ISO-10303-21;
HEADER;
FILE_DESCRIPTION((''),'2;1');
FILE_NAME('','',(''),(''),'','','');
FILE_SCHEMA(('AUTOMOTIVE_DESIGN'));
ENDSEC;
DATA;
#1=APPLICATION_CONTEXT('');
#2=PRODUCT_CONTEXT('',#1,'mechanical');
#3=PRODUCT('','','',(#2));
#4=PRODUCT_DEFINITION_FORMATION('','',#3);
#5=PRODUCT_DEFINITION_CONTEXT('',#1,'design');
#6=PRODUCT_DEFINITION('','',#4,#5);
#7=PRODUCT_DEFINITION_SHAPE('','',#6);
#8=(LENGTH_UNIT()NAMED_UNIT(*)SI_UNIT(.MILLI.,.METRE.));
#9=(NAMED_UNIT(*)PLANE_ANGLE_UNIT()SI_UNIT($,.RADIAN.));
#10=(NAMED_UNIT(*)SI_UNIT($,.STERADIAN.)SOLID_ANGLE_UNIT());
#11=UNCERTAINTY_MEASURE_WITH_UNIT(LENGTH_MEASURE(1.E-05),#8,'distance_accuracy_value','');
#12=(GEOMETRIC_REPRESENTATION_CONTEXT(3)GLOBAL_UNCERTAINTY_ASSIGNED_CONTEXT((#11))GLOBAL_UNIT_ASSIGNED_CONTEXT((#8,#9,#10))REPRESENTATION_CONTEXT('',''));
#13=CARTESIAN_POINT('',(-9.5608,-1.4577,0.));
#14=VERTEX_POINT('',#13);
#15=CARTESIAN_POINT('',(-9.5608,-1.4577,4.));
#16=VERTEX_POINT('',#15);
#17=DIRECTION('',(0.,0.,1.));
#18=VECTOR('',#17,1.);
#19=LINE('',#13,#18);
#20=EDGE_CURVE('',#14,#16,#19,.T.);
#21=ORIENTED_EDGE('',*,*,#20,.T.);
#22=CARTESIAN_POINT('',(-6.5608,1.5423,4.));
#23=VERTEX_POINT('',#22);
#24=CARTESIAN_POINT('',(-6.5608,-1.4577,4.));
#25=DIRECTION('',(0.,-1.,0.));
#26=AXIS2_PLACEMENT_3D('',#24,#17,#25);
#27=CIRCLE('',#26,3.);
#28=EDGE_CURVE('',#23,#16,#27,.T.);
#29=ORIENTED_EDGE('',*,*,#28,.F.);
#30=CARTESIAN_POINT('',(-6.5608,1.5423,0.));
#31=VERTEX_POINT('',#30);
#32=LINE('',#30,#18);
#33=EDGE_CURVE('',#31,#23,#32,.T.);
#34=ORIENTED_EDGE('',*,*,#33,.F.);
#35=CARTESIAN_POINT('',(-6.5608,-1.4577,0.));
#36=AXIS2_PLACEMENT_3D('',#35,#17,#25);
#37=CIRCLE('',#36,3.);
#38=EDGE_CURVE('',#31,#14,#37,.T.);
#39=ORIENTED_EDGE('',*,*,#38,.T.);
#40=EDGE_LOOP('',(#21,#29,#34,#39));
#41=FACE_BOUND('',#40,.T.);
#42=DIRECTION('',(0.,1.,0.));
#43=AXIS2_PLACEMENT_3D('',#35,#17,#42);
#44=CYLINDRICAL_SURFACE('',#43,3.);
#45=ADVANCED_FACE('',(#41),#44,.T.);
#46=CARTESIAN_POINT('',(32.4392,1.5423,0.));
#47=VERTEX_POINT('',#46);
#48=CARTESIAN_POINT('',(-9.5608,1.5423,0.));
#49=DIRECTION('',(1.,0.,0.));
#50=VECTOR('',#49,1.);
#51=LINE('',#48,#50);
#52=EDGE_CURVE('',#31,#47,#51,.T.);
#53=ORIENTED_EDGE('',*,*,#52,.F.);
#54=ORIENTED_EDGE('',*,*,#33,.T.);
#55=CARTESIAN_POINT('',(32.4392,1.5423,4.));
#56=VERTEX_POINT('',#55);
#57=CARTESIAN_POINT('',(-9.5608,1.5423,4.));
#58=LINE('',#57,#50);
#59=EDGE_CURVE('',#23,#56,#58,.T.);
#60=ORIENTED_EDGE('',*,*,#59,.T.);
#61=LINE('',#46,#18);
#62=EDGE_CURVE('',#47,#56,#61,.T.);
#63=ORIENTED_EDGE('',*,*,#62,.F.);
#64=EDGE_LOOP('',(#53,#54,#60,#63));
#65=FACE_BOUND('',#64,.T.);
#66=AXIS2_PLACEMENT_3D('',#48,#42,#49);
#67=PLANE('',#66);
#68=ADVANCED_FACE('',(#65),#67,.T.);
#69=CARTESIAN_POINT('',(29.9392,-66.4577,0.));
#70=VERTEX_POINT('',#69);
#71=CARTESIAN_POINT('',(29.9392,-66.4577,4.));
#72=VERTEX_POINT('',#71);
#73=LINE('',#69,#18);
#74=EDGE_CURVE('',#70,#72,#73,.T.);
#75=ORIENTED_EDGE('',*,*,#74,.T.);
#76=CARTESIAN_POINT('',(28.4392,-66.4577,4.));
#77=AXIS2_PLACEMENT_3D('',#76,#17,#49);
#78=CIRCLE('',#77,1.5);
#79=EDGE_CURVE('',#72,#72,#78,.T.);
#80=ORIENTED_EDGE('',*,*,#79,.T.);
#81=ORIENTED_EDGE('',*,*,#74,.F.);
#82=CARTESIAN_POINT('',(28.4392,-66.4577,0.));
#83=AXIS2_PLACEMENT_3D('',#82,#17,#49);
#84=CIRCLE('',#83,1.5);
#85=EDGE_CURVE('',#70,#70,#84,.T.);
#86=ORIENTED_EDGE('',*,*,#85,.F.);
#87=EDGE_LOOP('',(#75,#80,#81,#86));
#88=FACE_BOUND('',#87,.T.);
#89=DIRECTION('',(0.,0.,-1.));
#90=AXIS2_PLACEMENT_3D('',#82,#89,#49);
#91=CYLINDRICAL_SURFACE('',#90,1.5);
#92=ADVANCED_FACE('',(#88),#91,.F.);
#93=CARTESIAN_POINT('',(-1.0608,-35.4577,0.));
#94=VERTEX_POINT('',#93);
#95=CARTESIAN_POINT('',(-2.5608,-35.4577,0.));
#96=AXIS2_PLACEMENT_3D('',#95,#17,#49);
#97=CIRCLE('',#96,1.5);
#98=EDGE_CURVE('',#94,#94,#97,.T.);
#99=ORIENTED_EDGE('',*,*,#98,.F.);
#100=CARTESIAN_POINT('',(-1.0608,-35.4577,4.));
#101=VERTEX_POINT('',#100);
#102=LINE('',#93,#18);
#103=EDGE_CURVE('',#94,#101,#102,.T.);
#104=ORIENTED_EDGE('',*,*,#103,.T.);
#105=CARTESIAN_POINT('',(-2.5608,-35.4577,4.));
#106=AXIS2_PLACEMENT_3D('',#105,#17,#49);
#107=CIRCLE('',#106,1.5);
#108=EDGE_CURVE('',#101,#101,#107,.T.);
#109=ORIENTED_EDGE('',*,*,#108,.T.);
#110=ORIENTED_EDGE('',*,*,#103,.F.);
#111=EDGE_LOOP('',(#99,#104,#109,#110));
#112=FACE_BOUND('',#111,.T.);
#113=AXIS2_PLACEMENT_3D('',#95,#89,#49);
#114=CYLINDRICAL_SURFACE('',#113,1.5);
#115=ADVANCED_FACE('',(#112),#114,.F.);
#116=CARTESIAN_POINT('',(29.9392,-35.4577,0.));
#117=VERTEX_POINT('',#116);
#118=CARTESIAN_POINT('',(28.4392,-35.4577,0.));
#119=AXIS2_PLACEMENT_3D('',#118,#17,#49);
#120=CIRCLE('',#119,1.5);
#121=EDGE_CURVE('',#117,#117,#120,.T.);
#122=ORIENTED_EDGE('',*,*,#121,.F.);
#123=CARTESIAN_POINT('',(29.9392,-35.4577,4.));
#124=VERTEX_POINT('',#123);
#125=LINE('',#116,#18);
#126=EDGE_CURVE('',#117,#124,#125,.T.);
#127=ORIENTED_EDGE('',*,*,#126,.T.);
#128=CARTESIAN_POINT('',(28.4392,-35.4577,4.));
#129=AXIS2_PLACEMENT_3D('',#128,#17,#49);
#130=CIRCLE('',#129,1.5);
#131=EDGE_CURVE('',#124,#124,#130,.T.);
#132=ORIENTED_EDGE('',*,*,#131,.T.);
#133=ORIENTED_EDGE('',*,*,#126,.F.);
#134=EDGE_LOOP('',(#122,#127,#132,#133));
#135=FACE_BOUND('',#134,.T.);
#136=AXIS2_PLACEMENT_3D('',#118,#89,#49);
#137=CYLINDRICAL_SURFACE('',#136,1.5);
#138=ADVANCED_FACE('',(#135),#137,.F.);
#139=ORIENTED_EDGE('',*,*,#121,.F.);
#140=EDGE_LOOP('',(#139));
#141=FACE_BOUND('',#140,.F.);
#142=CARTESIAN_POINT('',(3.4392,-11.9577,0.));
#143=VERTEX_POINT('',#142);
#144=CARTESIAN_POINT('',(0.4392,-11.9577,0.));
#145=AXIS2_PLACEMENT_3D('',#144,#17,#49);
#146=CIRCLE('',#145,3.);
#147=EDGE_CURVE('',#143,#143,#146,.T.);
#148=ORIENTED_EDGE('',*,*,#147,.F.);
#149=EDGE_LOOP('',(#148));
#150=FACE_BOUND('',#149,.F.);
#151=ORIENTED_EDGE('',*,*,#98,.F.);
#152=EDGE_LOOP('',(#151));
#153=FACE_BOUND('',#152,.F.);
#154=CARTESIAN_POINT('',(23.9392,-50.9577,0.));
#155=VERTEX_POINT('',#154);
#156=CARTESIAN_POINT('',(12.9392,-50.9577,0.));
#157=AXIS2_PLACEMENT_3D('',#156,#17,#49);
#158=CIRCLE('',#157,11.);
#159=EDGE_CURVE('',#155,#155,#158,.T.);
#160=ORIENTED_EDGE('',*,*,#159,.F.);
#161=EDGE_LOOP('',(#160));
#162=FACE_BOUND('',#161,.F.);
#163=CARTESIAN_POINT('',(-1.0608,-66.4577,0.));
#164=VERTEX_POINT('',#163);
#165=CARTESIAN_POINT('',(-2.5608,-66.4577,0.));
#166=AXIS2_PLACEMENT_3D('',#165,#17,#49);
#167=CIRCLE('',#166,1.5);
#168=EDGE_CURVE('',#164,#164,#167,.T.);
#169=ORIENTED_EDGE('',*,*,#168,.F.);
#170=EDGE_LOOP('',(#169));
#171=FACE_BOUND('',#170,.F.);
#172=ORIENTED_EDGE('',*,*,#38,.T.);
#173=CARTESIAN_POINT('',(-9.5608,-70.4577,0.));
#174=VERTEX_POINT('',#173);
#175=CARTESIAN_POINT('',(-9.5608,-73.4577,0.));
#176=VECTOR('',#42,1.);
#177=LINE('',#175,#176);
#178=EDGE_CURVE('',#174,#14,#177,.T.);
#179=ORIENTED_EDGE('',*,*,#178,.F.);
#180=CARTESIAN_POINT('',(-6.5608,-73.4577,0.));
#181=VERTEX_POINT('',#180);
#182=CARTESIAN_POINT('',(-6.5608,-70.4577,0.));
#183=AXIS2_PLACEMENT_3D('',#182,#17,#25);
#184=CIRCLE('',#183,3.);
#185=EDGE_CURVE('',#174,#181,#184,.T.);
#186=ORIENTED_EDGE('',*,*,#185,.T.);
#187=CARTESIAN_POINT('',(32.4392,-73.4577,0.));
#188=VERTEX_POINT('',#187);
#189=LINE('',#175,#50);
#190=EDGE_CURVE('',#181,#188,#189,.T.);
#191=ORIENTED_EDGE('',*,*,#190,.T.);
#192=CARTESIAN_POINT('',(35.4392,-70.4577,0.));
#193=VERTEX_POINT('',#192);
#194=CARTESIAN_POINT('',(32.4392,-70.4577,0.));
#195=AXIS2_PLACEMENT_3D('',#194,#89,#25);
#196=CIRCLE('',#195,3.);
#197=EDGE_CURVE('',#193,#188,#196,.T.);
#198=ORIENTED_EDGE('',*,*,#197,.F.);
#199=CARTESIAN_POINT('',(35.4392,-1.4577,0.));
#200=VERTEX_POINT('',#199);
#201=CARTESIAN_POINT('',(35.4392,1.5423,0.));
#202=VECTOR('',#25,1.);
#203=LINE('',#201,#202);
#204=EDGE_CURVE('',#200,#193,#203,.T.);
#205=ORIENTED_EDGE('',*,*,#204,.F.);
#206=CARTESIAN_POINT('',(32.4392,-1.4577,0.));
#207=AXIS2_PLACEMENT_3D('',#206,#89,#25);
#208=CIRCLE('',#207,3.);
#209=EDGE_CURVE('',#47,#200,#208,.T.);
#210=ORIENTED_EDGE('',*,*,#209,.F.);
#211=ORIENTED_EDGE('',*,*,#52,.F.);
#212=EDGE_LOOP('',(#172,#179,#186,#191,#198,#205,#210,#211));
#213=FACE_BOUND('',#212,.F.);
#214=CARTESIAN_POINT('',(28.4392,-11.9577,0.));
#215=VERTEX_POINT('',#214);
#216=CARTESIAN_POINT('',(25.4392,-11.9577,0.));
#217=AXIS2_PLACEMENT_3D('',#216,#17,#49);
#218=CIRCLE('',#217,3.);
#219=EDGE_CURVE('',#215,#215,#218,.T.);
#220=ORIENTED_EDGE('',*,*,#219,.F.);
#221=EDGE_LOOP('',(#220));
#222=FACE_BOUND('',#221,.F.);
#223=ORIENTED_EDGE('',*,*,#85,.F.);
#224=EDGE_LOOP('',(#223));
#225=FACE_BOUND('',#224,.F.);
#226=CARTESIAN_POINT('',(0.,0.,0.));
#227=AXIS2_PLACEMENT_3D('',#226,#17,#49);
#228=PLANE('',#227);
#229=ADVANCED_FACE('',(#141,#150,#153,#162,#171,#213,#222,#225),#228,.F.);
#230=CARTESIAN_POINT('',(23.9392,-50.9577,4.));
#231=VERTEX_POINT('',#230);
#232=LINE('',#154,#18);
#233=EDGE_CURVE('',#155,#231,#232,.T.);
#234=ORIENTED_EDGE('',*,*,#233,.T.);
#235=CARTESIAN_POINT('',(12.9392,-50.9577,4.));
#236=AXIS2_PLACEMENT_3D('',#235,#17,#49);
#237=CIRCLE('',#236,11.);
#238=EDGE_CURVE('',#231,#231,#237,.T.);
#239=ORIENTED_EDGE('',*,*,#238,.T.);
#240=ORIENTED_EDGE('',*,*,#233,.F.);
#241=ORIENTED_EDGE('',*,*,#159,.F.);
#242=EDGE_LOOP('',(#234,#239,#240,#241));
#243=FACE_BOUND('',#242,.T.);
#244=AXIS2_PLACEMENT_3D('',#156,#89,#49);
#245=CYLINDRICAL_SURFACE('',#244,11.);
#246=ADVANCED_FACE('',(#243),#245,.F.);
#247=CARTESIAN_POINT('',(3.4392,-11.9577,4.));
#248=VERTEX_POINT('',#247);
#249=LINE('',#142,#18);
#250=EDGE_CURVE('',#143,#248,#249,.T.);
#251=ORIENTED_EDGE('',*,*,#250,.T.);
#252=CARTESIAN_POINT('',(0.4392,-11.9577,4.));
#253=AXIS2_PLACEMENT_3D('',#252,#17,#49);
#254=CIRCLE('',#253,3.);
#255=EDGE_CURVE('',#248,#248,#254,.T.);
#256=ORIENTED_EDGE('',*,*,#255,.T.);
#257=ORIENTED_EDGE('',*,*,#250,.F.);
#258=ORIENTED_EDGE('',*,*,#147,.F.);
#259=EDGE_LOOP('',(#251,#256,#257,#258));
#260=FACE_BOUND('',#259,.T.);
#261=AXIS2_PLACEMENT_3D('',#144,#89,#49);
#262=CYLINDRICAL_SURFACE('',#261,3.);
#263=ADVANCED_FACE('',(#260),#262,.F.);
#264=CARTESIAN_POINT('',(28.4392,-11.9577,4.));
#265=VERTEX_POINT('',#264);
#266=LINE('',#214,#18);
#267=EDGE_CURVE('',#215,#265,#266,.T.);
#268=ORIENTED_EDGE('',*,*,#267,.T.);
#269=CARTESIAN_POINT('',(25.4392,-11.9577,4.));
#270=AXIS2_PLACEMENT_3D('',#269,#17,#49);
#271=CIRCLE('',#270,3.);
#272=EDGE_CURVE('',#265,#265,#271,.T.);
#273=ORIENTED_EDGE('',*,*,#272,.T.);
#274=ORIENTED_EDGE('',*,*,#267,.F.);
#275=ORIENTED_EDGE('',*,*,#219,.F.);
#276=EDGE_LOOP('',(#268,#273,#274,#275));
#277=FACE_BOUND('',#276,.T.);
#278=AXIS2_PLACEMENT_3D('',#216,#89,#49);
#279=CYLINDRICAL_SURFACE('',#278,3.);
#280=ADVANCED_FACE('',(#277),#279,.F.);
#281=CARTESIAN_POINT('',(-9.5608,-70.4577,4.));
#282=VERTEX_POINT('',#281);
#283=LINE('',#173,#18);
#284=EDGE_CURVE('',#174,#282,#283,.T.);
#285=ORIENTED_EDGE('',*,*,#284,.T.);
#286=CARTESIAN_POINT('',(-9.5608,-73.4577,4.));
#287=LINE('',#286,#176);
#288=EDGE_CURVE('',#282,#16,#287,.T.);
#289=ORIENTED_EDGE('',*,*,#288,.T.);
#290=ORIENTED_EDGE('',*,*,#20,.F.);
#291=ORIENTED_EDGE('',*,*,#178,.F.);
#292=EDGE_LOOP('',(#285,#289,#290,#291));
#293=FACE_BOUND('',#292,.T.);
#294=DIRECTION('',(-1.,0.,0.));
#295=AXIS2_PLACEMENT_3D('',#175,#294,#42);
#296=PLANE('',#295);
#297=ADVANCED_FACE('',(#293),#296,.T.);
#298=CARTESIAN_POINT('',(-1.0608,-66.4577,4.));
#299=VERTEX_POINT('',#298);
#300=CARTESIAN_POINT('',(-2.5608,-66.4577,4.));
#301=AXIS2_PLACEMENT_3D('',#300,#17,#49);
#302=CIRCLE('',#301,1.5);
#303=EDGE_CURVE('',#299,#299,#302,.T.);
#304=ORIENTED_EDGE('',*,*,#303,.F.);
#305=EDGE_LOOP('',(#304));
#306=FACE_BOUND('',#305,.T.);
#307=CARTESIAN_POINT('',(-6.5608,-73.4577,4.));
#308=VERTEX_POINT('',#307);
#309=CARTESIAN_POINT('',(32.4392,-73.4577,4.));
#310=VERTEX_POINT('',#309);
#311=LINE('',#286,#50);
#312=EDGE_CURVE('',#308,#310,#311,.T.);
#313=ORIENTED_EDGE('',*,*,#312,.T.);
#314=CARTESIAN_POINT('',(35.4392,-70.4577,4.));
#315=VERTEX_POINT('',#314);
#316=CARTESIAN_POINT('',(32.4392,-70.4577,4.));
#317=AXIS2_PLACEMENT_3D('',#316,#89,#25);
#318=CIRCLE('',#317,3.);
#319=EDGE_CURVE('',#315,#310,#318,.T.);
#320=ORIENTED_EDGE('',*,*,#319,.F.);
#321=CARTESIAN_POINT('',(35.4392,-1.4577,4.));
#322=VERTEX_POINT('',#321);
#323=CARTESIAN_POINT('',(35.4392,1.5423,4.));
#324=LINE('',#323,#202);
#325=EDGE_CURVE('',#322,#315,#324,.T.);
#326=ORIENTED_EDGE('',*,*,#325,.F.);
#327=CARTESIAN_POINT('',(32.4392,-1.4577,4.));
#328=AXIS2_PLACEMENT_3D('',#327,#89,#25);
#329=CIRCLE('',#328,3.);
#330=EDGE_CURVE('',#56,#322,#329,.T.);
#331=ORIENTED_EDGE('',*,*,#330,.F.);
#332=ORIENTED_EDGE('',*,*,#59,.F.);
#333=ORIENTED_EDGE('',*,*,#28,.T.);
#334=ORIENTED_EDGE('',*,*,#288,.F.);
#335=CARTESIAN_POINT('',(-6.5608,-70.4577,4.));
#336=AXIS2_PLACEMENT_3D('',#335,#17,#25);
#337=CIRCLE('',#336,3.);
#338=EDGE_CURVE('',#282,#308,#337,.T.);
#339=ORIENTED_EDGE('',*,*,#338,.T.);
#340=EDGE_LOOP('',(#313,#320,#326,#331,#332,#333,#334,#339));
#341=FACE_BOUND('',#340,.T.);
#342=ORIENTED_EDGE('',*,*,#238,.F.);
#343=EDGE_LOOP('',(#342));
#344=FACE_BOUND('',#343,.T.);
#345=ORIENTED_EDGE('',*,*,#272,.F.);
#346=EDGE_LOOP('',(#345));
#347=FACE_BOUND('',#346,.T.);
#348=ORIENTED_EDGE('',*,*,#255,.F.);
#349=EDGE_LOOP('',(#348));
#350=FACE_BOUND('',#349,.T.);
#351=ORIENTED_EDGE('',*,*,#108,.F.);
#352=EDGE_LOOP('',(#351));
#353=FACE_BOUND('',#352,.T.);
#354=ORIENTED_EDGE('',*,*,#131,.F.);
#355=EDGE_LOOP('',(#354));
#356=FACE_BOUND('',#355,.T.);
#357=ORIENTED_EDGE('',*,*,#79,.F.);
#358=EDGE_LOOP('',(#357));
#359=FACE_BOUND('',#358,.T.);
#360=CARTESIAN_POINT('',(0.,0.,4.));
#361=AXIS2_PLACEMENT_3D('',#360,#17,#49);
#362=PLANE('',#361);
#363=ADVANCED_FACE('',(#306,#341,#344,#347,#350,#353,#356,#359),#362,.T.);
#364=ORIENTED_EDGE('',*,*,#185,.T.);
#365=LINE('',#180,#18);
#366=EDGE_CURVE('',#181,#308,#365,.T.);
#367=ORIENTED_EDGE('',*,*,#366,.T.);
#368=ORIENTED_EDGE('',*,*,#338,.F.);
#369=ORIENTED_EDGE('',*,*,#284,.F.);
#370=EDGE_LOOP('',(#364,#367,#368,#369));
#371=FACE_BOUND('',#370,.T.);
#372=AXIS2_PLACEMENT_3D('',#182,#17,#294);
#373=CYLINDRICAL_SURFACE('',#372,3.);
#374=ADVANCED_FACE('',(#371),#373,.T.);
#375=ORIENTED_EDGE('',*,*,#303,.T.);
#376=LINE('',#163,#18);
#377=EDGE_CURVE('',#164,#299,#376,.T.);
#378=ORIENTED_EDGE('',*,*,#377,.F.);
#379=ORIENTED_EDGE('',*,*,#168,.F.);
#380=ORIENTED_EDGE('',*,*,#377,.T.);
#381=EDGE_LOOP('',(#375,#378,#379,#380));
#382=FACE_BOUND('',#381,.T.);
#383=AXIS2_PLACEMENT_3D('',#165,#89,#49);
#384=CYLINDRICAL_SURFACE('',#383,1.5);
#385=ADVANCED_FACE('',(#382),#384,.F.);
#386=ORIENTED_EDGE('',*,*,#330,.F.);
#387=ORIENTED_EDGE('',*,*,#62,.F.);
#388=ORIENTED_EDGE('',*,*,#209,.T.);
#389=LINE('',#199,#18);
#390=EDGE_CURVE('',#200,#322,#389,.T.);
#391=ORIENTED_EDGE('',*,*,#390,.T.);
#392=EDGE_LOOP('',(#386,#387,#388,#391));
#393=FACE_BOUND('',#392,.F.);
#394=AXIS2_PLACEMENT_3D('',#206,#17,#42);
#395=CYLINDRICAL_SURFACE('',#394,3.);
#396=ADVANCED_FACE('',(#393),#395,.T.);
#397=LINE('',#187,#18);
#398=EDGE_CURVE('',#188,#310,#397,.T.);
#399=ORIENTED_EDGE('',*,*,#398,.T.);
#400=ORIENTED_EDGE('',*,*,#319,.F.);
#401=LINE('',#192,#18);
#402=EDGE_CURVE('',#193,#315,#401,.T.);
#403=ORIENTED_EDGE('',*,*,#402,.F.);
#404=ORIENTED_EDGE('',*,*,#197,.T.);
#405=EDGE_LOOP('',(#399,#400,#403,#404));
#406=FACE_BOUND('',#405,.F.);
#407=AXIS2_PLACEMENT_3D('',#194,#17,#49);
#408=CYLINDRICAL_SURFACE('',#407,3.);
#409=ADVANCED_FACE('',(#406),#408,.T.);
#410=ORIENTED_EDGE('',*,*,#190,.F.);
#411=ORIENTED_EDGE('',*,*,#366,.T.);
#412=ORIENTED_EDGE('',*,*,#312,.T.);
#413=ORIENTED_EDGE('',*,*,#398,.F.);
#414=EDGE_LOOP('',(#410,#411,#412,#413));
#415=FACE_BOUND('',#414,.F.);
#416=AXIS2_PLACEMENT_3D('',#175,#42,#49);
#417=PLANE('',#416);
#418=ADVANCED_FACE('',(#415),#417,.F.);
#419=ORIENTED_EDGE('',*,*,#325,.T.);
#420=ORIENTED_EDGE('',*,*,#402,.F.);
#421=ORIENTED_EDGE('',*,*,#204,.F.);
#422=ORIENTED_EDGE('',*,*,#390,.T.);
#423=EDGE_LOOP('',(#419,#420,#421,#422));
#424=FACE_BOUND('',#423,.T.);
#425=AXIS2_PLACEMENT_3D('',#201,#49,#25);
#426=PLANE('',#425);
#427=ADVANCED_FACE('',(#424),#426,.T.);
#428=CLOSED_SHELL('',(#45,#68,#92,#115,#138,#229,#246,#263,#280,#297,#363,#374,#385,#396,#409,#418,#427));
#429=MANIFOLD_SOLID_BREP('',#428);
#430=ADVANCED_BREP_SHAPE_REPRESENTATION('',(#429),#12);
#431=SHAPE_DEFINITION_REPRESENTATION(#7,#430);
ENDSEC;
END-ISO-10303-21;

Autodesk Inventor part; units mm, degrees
ref_plane "YZ Plane" through (0, 0, 0) normal (1, 0, 0) x (0, 1, 0)
ref_plane "XZ Plane" through (0, 0, 0) normal (0, 1, 0) x (-1, 0, 0)
ref_plane "XY Plane" through (0, 0, 0) normal (0, 0, 1) x (1, 0, 0)
sketch "Szkic1" plane through (0, 0, 0) normal (0, 0, 1) x (1, 0, 0)
  line L0 (-9.5608, 1.5423) -> (35.4392, 1.5423)
  line L1 (35.4392, 1.5423) -> (35.4392, -73.4577)
  line L2 (26.8018, -148.3336) -> (-18.1982, -148.3336)
  line L3 (-9.5608, -73.4577) -> (-9.5608, 1.5423)
  line L4 (33.9392, -71.9577) -> (-8.0608, -71.9577)
  line L5 (-8.0608, -71.9577) -> (-8.0608, -29.9577)
  line L6 (-8.0608, -29.9577) -> (33.9392, -29.9577)
  line L7 (33.9392, -29.9577) -> (33.9392, -71.9577)
  line L8 (-9.5608, -73.4577) -> (35.4392, -73.4577)
  circle A0 centre (12.9392, -50.9577) radius 11
  circle A1 centre (-2.5608, -35.4577) radius 1.5
  circle A2 centre (28.4392, -35.4577) radius 1.5
  circle A3 centre (-2.5608, -66.4577) radius 1.5
  circle A4 centre (28.4392, -66.4577) radius 1.5
  circle A5 centre (0.4392, -11.9577) radius 3
  circle A6 centre (25.4392, -11.9577) radius 3
  point P0 (0, 0)
  dimension "d0" = 45
  dimension "d1" = 75
  dimension "d2" = 42
  dimension "d3" = 42
  dimension "d4" = 5.5
  dimension "d5" = 5.5
  dimension "d6" = 5.5
  dimension "d7" = 5.5
  dimension "d8" = 5.5
  dimension "d9" = 5.5
  dimension "d10" = 5.5
  dimension "d11" = 5.5
  dimension "d12" = 21
  dimension "d13" = 21
  dimension "d24" = 45
  dimension "d25" = 1.5
  dimension "d26" = 1.5
  dimension "d27" = 13.5
  dimension "d28" = 13.5
  dimension "d29" = 22
  dimension "d30" = 3
  dimension "d31" = 3
  dimension "d32" = 3
  dimension "d33" = 3
  dimension "d43" = 10
  dimension "d44" = 10
  dimension "d45" = 6
  dimension "d46" = 6
extrude "Wyciągnięcie proste2" add sketch "Szkic1" along normal blind 4 contours L0 L1 L8 L3 | L4 L5 L6 L7
fillet "Zaokrąglenie1" radius 3 4 edges at (35.4392, -73.4577, 2) (-9.5608, -73.4577, 2) (35.4392, 1.5423, 2) (-9.5608, 1.5423, 2)
equation "\"d5\" = d4"
equation "\"d6\" = d4"
equation "\"d7\" = d4"
equation "\"d8\" = d4"
equation "\"d9\" = d4"
equation "\"d10\" = d4"
equation "\"d11\" = d4"
equation "\"d12\" = 0.5 * d3"
equation "\"d13\" = d12"
equation "\"d25\" = -0.5 * d2 + 0.5 * d24"
equation "\"d28\" = d27"
properties part number "LC_ALU_4mm_Z_Axis_Stepper_Mount"
